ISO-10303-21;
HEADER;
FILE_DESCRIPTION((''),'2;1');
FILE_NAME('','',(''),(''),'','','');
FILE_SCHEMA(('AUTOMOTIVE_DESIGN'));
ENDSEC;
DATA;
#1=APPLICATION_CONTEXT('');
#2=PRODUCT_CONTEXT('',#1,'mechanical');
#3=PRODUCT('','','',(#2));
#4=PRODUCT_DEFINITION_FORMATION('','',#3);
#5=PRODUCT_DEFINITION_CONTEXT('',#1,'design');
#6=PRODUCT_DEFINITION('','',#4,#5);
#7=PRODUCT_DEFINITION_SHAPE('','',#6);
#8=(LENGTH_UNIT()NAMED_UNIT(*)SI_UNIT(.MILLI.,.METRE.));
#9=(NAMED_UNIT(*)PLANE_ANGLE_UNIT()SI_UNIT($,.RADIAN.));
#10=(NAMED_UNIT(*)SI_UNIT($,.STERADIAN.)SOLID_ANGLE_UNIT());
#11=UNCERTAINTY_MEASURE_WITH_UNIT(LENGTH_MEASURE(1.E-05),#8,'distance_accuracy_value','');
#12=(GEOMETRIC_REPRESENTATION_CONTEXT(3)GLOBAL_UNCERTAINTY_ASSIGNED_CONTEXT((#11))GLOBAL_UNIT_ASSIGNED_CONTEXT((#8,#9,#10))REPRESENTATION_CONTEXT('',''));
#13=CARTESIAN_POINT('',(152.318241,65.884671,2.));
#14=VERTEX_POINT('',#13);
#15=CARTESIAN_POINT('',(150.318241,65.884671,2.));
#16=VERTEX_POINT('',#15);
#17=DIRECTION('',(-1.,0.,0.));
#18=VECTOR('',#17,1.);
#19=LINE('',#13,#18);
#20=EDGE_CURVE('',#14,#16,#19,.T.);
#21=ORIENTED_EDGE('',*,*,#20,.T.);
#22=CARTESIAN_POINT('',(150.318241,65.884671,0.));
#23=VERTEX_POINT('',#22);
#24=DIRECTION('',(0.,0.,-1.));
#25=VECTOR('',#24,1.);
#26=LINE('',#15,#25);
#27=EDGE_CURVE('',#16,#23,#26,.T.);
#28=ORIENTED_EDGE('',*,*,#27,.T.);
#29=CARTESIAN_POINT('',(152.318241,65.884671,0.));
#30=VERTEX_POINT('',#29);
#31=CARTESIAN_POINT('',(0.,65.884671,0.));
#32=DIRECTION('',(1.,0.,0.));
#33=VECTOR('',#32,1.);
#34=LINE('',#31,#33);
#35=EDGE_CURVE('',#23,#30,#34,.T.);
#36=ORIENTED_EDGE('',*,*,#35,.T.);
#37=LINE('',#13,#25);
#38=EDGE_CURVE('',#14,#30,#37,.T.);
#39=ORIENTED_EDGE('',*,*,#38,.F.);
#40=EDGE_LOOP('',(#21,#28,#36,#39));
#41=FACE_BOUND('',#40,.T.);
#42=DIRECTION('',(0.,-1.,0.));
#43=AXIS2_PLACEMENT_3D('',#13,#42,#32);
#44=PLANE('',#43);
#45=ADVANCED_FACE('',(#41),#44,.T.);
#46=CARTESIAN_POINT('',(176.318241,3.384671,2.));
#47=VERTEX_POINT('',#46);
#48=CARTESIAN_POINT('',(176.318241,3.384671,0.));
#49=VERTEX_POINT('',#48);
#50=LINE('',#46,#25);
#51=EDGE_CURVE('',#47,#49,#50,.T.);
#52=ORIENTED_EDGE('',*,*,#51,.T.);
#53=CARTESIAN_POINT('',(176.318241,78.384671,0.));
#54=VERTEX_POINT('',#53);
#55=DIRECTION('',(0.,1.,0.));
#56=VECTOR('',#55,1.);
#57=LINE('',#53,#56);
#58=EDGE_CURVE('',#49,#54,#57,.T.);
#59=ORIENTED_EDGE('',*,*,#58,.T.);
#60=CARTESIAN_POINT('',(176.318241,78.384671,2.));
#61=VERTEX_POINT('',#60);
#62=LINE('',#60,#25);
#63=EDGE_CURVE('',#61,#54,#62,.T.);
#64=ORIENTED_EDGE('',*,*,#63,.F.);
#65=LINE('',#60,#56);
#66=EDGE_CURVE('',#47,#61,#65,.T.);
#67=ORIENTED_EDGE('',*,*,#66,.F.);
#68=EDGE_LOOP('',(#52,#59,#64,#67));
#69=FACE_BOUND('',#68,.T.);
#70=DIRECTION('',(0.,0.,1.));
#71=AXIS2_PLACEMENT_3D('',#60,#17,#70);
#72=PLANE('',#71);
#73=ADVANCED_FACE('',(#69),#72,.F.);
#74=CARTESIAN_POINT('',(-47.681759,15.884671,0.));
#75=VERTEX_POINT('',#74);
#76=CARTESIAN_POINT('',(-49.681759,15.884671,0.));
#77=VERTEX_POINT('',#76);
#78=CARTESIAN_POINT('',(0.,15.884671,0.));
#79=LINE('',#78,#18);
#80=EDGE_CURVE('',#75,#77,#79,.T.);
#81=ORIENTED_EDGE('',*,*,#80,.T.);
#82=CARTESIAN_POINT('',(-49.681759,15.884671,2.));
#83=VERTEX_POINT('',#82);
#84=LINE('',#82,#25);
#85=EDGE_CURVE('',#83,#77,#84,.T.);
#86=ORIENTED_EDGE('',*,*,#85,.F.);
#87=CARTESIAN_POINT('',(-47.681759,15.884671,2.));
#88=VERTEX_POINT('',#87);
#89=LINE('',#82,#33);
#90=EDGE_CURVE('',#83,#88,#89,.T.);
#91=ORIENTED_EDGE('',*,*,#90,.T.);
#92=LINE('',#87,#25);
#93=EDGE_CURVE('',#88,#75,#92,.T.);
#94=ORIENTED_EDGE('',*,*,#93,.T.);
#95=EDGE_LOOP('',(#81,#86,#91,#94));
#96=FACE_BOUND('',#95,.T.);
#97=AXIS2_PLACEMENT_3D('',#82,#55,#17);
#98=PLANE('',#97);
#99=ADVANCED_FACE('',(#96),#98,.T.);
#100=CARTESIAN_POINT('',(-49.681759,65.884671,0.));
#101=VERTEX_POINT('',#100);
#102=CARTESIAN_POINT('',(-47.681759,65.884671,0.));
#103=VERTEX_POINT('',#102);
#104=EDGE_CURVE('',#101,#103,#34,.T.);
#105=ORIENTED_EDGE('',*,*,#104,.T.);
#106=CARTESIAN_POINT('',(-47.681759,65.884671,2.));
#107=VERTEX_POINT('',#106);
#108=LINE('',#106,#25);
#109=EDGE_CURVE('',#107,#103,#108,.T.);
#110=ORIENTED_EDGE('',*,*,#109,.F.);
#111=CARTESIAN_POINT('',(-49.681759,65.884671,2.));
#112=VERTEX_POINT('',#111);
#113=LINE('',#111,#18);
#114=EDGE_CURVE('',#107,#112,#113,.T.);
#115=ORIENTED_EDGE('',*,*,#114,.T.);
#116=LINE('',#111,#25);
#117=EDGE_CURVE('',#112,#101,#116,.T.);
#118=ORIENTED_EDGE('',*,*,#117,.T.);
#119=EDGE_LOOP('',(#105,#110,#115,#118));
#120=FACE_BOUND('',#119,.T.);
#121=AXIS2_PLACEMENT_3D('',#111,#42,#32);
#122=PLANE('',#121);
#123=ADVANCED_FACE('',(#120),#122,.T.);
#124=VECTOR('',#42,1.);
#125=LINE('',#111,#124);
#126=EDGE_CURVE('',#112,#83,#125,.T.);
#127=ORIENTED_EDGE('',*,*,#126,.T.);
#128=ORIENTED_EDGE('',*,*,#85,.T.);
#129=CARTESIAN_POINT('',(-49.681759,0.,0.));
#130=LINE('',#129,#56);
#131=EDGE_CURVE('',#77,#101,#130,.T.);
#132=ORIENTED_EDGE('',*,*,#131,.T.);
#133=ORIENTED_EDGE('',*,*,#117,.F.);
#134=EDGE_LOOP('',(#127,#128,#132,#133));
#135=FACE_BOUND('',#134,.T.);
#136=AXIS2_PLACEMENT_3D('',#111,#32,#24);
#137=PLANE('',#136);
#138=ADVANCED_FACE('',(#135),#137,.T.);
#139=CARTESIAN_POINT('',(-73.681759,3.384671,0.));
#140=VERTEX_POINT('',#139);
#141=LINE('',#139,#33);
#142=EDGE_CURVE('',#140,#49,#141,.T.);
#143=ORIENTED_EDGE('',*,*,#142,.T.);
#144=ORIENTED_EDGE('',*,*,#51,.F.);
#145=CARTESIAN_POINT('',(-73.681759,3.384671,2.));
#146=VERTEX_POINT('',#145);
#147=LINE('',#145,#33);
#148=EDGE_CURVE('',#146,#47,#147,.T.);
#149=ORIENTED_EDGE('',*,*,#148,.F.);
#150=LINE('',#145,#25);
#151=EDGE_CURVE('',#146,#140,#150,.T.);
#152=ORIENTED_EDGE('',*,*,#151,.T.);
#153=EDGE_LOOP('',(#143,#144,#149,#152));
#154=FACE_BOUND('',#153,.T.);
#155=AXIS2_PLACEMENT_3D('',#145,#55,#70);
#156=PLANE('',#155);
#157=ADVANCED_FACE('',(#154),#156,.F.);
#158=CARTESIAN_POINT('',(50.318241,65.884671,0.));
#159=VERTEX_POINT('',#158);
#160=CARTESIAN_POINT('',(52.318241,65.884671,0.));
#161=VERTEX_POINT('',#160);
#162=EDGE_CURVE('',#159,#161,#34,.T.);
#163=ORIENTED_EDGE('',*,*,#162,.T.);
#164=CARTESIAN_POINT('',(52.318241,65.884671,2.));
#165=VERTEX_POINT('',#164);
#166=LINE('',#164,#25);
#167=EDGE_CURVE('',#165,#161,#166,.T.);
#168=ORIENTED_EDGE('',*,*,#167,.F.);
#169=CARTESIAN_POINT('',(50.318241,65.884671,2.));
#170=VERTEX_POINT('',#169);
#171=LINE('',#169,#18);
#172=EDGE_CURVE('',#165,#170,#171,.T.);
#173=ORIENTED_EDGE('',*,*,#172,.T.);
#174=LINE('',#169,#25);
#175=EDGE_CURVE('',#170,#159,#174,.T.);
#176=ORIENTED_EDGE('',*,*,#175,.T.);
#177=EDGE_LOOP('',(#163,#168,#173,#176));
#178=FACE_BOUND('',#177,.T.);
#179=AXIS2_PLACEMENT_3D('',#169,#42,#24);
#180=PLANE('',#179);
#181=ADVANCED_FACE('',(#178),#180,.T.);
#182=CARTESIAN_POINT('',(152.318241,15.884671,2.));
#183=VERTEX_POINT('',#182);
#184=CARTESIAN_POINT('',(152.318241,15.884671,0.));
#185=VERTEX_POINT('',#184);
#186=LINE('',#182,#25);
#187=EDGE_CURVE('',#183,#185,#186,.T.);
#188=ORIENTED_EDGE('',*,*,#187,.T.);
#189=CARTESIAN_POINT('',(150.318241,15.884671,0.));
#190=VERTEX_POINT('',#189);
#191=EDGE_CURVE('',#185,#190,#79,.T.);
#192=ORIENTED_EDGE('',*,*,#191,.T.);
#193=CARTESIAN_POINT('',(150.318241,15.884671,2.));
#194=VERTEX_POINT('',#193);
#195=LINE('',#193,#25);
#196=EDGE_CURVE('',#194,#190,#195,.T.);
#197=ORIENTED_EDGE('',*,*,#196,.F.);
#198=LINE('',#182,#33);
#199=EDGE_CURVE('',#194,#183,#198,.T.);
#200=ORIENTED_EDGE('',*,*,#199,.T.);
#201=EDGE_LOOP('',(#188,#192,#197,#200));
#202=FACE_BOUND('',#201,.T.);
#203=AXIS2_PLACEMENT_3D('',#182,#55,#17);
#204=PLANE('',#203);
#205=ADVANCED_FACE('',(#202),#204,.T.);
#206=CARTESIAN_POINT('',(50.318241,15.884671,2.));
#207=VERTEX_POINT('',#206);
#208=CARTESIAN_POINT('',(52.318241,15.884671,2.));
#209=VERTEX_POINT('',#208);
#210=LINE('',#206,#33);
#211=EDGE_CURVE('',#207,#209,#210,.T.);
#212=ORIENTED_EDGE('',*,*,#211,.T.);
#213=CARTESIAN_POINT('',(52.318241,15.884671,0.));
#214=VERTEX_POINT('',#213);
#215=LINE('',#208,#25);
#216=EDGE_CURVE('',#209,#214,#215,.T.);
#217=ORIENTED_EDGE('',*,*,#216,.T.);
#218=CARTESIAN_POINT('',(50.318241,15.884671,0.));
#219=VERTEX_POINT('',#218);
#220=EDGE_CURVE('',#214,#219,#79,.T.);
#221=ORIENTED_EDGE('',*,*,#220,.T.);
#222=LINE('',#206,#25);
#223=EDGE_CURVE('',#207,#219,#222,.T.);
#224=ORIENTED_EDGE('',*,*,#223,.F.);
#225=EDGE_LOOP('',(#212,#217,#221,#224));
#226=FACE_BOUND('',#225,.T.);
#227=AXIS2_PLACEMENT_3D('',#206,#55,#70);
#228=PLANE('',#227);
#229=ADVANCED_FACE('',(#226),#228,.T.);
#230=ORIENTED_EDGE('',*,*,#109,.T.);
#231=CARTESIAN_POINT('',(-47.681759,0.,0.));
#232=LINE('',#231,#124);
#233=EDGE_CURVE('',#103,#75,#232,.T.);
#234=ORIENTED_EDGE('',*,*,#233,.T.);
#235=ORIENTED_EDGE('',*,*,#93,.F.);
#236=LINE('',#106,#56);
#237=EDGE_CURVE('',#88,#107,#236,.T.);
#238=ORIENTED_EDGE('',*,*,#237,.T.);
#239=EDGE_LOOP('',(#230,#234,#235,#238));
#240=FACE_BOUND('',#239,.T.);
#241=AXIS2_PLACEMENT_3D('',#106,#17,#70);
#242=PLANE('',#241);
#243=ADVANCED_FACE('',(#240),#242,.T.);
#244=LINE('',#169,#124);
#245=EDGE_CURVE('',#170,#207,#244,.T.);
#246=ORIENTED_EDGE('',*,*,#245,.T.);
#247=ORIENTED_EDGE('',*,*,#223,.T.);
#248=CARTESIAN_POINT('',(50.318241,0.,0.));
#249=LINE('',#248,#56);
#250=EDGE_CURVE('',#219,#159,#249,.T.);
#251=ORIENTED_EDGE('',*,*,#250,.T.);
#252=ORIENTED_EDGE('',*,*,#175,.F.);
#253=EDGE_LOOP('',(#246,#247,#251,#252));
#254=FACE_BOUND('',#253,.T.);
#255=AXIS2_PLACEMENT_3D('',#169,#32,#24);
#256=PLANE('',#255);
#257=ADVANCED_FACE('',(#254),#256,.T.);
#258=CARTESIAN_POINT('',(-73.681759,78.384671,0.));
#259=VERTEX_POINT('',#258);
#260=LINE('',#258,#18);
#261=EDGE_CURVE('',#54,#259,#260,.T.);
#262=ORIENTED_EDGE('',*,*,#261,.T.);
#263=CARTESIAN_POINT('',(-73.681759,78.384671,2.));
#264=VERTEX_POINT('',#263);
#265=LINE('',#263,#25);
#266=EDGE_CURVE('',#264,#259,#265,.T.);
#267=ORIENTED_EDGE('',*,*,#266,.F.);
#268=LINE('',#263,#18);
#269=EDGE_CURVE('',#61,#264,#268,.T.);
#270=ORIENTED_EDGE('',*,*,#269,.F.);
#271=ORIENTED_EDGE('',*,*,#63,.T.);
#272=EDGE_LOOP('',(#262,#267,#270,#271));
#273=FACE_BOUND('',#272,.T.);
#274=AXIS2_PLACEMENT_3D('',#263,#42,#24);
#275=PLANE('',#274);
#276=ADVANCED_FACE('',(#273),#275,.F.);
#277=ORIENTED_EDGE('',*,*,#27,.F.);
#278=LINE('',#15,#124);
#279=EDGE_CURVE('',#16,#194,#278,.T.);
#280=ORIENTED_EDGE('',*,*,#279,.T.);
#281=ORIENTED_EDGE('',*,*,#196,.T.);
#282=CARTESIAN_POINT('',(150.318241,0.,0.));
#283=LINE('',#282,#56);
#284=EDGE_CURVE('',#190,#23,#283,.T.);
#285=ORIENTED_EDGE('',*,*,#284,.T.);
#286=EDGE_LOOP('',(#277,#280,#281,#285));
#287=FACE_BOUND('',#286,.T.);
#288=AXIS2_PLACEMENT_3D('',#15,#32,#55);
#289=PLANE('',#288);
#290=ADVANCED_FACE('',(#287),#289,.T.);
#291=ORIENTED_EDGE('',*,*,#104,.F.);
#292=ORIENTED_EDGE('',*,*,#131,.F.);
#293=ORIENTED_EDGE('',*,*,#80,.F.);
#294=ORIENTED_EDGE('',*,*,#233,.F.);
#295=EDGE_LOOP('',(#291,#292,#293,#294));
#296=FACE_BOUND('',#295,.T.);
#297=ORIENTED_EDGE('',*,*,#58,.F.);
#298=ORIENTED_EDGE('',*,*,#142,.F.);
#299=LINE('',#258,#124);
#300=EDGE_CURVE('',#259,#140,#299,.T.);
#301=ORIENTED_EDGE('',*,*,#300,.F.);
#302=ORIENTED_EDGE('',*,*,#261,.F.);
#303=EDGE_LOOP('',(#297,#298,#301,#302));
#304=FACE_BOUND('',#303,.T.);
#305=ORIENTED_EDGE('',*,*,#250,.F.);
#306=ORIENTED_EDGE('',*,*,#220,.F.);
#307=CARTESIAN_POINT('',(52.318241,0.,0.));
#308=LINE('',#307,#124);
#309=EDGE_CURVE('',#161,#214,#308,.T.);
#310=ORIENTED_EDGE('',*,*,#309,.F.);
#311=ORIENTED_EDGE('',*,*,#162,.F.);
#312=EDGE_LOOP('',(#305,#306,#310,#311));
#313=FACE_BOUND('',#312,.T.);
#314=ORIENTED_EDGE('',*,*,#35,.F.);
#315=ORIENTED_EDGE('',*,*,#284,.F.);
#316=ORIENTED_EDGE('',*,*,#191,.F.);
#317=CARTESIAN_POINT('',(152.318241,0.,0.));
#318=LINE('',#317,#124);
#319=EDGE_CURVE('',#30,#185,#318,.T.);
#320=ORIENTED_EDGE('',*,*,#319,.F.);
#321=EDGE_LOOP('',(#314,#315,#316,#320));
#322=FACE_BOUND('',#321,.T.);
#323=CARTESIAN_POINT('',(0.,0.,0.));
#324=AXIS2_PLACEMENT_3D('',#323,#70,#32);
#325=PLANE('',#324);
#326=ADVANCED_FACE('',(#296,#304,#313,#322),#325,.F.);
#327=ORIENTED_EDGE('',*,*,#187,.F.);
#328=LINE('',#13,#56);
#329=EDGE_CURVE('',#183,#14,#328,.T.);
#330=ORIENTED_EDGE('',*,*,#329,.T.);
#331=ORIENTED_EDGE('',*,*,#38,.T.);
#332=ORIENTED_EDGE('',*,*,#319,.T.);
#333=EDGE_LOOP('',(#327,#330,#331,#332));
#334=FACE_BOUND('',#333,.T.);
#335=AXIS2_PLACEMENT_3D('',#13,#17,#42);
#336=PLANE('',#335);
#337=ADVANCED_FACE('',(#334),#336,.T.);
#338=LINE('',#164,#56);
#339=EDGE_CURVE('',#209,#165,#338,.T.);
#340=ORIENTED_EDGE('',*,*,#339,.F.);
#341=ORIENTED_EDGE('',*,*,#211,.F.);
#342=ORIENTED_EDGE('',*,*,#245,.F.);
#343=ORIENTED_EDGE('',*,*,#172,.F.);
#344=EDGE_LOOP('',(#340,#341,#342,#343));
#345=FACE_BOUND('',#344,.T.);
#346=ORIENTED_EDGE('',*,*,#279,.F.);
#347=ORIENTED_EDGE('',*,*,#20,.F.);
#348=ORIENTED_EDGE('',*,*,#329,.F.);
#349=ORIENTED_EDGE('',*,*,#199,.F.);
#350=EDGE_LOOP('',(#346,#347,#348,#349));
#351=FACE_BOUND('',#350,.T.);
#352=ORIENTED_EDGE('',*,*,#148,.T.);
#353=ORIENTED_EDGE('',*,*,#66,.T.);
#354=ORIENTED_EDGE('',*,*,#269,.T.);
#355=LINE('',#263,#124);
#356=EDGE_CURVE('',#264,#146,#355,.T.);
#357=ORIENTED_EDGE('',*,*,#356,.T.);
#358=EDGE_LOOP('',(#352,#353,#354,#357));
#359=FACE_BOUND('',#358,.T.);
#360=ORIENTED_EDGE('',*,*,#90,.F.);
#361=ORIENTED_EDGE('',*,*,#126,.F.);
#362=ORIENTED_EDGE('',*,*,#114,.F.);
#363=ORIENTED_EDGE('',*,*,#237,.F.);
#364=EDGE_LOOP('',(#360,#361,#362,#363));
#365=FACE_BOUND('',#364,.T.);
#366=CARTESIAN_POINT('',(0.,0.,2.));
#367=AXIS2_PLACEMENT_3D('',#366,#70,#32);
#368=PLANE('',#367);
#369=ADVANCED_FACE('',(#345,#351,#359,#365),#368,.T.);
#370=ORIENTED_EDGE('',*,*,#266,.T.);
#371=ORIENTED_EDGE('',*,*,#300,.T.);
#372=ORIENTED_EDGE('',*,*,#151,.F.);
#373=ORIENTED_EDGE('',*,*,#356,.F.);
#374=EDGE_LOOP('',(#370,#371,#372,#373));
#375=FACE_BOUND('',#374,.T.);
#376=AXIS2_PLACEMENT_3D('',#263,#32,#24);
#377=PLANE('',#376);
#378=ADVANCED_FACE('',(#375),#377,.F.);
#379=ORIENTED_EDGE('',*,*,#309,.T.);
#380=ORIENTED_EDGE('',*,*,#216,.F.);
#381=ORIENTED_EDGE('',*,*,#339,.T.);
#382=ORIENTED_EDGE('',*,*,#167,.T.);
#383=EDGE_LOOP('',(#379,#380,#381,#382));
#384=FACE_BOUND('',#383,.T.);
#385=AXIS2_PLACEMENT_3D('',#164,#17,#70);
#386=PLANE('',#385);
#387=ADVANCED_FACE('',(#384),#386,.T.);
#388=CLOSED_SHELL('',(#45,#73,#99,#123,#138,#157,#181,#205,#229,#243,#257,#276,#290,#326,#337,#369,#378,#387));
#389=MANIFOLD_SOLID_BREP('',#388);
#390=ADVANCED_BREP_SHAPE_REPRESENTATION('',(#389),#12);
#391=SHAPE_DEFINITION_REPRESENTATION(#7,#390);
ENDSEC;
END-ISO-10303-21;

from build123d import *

# Parameters (mm, degrees)
SKETCH_2_W               = 250
SKETCH_2_H               = 75
EXTRUDE_3_DEPTH          = 2
CUT_EXTRUDE_1_DEPTH      = 2
CUT_EXTRUDE_1_DEPTH_BACK = 2
SKETCH_4_W               = 2
SKETCH_4_H               = 50


with BuildPart() as part:
    # 草图2 → 凸台-拉伸3 (new body)
    with BuildSketch(Plane.XY):
        with Locations((51.318241286, 40.884671024)):
            Rectangle(SKETCH_2_W, SKETCH_2_H)
    extrude(amount=EXTRUDE_3_DEPTH)

    # 草图4 → 切除-拉伸1 (cut, two sides: drawn at the far end of the back side and taken through both)
    with BuildSketch(Plane.XY.offset(-CUT_EXTRUDE_1_DEPTH_BACK)):
        with Locations((151.318241286, 40.884671024)):
            Rectangle(SKETCH_4_W, SKETCH_4_H)
        with Locations((-48.681758714, 40.884671024)):
            Rectangle(SKETCH_4_W, SKETCH_4_H)
        with Locations((51.318241286, 40.884671024)):
            Rectangle(SKETCH_4_W, SKETCH_4_H)
    extrude(amount=CUT_EXTRUDE_1_DEPTH + CUT_EXTRUDE_1_DEPTH_BACK, mode=Mode.SUBTRACT)


solid = part.part
